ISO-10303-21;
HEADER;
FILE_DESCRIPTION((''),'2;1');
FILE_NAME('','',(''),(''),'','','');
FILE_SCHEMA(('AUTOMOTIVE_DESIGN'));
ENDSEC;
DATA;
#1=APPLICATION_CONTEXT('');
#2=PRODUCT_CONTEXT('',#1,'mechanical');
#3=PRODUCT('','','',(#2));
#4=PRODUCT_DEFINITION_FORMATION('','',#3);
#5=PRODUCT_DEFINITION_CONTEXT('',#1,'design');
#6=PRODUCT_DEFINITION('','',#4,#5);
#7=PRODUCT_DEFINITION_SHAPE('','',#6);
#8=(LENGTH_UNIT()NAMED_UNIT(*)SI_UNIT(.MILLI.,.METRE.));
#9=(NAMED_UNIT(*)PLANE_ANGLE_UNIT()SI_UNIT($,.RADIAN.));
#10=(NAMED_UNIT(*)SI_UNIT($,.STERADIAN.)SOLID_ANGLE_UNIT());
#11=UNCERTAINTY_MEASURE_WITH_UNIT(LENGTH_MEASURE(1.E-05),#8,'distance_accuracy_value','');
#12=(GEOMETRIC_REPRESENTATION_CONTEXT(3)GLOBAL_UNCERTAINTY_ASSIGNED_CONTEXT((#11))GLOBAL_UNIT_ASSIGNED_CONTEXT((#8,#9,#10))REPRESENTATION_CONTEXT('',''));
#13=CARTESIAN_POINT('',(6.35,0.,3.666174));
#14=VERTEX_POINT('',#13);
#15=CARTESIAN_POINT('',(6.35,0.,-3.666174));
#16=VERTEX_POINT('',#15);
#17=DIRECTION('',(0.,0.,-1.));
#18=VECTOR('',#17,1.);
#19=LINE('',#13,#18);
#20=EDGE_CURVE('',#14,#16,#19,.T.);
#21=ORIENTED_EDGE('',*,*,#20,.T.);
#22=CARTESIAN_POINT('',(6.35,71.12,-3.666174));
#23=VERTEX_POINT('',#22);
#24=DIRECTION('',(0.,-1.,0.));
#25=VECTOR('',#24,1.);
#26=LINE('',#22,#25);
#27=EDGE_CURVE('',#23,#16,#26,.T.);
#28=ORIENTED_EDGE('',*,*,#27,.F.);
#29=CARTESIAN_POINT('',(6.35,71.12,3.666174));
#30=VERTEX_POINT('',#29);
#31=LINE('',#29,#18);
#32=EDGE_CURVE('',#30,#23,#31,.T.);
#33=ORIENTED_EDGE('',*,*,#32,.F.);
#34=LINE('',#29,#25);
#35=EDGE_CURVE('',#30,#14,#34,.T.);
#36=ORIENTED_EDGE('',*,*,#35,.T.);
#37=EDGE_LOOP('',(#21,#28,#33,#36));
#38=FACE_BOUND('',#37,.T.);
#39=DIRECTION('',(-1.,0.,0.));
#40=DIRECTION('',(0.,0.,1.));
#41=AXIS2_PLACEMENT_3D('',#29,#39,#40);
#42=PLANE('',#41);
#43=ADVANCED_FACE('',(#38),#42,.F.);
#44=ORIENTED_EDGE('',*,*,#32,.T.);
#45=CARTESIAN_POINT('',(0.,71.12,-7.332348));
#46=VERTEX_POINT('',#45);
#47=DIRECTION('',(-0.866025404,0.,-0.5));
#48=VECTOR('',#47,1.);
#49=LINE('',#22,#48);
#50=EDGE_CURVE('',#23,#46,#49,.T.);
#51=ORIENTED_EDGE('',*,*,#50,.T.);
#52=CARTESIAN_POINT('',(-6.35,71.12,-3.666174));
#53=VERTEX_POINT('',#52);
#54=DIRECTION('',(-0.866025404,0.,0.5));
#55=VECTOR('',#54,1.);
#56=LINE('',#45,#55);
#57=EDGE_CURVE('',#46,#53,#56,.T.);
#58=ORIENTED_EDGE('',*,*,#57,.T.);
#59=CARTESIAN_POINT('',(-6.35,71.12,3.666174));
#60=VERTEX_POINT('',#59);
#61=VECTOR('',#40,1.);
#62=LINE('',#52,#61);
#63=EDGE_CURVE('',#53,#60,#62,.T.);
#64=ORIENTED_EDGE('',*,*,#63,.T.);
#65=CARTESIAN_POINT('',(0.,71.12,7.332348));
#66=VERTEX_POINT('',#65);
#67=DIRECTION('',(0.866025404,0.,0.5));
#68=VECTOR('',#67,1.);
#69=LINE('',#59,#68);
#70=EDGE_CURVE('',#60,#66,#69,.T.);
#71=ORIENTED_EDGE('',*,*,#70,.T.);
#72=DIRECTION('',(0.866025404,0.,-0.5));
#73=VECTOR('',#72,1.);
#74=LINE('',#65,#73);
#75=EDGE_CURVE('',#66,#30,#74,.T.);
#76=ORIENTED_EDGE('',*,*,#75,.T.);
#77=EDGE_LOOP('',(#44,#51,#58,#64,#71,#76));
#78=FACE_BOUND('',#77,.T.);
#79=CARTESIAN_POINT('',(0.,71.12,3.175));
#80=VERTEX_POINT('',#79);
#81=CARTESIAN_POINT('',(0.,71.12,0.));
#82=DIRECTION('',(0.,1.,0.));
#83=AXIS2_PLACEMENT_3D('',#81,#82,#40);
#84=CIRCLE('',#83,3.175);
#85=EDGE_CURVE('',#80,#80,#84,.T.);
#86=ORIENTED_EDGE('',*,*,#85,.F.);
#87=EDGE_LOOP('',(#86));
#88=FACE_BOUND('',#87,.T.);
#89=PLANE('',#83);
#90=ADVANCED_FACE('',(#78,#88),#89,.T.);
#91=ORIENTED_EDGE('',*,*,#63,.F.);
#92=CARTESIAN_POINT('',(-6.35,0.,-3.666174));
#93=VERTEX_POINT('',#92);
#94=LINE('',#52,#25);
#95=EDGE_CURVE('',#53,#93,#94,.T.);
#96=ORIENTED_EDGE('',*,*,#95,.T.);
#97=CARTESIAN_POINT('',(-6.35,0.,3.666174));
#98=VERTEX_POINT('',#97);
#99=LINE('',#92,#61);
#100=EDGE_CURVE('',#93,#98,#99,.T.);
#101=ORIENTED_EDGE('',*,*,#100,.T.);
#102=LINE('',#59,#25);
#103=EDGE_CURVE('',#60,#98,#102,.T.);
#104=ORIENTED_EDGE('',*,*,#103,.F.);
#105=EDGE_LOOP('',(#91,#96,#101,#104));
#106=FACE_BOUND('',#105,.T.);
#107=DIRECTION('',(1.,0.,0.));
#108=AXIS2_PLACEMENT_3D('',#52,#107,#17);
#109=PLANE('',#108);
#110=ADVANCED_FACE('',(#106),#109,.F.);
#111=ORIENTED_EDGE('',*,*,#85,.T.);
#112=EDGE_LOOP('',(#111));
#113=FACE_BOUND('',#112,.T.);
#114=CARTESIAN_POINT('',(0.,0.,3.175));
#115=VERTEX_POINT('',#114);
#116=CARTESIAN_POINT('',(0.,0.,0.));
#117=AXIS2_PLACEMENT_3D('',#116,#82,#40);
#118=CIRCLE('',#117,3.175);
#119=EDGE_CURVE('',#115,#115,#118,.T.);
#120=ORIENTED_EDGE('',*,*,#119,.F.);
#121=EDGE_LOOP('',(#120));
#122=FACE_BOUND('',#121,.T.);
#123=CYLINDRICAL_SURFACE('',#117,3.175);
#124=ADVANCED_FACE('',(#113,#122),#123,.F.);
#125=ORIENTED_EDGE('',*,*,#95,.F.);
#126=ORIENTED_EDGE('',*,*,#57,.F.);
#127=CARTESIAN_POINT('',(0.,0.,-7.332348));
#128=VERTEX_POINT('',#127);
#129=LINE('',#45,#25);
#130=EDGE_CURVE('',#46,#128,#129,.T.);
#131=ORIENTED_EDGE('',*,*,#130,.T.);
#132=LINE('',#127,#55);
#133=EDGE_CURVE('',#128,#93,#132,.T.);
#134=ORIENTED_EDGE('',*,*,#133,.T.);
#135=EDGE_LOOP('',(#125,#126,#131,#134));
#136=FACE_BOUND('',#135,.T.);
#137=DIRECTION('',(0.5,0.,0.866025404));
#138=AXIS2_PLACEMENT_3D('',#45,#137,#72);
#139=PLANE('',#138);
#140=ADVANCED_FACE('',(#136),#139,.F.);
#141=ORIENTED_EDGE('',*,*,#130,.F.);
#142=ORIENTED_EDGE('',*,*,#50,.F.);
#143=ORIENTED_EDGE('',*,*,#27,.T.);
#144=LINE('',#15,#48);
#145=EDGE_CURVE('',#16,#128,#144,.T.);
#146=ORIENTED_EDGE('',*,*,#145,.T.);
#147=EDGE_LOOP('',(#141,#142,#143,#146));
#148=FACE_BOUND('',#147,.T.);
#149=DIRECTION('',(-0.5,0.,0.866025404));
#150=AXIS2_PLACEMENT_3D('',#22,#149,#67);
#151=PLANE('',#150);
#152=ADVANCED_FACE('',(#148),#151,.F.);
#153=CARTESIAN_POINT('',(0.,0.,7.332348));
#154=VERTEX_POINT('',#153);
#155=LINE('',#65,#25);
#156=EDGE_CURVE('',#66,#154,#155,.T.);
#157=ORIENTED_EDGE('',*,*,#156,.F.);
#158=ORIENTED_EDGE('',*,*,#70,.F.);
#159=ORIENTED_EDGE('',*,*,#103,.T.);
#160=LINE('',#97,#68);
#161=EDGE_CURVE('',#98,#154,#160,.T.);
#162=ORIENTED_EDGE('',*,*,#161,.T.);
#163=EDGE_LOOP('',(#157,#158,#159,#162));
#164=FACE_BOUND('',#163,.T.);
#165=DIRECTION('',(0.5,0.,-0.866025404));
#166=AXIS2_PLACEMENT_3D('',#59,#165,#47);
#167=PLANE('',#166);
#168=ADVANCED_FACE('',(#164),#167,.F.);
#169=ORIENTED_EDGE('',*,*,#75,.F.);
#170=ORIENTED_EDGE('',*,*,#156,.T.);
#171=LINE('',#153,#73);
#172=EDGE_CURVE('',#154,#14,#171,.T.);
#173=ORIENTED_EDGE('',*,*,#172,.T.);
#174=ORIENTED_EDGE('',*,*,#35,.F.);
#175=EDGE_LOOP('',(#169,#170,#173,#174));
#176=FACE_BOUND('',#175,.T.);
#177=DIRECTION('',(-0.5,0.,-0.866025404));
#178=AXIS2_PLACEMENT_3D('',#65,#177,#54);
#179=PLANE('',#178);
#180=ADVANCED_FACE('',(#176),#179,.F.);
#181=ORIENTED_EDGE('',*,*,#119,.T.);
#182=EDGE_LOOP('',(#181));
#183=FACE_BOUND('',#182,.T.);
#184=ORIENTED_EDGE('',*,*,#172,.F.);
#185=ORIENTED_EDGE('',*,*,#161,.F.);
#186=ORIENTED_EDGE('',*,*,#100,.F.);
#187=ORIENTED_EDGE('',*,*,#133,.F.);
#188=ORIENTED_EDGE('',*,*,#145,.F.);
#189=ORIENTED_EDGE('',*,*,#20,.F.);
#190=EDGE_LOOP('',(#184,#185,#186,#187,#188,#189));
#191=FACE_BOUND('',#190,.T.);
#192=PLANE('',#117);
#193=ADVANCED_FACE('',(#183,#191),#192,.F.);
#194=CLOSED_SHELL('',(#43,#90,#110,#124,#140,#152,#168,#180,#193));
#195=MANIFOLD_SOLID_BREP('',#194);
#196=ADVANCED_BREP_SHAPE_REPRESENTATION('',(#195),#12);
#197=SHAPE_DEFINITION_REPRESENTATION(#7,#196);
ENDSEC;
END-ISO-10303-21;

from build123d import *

# Parameters (mm, degrees)
BOSS_EXTRUDE1_DEPTH     = 71.12
CUT_EXTRUDE1_DEPTH      = 72.778410635
CUT_EXTRUDE1_DEPTH_BACK = 72.778410635
SKETCH2_R               = 3.175


with BuildPart() as part:
    # Sketch1 → Boss-Extrude1 (new body)
    with BuildSketch(Plane(origin=(0, 0, 0), x_dir=(1, 0, 0), z_dir=(0, 1, 0))):
        Polygon((0, -7.332348419), (6.35, -3.666174209), (6.35, 3.666174209), (0, 7.332348419), (-6.35, 3.666174209), (-6.35, -3.666174209), align=None)
    extrude(amount=BOSS_EXTRUDE1_DEPTH)

    # Sketch2 → Cut-Extrude1 (cut, two sides: drawn at the far end of the back side and taken through both)
    with BuildSketch(Plane(origin=(0, 71.12, 0), x_dir=(1, 0, 0), z_dir=(0, 1, 0)).offset(-CUT_EXTRUDE1_DEPTH_BACK)):
        with Locations(Location((0, 0, 0), (0, 0, 270))):
            Circle(SKETCH2_R)
    extrude(amount=CUT_EXTRUDE1_DEPTH + CUT_EXTRUDE1_DEPTH_BACK, mode=Mode.SUBTRACT)


solid = part.part
